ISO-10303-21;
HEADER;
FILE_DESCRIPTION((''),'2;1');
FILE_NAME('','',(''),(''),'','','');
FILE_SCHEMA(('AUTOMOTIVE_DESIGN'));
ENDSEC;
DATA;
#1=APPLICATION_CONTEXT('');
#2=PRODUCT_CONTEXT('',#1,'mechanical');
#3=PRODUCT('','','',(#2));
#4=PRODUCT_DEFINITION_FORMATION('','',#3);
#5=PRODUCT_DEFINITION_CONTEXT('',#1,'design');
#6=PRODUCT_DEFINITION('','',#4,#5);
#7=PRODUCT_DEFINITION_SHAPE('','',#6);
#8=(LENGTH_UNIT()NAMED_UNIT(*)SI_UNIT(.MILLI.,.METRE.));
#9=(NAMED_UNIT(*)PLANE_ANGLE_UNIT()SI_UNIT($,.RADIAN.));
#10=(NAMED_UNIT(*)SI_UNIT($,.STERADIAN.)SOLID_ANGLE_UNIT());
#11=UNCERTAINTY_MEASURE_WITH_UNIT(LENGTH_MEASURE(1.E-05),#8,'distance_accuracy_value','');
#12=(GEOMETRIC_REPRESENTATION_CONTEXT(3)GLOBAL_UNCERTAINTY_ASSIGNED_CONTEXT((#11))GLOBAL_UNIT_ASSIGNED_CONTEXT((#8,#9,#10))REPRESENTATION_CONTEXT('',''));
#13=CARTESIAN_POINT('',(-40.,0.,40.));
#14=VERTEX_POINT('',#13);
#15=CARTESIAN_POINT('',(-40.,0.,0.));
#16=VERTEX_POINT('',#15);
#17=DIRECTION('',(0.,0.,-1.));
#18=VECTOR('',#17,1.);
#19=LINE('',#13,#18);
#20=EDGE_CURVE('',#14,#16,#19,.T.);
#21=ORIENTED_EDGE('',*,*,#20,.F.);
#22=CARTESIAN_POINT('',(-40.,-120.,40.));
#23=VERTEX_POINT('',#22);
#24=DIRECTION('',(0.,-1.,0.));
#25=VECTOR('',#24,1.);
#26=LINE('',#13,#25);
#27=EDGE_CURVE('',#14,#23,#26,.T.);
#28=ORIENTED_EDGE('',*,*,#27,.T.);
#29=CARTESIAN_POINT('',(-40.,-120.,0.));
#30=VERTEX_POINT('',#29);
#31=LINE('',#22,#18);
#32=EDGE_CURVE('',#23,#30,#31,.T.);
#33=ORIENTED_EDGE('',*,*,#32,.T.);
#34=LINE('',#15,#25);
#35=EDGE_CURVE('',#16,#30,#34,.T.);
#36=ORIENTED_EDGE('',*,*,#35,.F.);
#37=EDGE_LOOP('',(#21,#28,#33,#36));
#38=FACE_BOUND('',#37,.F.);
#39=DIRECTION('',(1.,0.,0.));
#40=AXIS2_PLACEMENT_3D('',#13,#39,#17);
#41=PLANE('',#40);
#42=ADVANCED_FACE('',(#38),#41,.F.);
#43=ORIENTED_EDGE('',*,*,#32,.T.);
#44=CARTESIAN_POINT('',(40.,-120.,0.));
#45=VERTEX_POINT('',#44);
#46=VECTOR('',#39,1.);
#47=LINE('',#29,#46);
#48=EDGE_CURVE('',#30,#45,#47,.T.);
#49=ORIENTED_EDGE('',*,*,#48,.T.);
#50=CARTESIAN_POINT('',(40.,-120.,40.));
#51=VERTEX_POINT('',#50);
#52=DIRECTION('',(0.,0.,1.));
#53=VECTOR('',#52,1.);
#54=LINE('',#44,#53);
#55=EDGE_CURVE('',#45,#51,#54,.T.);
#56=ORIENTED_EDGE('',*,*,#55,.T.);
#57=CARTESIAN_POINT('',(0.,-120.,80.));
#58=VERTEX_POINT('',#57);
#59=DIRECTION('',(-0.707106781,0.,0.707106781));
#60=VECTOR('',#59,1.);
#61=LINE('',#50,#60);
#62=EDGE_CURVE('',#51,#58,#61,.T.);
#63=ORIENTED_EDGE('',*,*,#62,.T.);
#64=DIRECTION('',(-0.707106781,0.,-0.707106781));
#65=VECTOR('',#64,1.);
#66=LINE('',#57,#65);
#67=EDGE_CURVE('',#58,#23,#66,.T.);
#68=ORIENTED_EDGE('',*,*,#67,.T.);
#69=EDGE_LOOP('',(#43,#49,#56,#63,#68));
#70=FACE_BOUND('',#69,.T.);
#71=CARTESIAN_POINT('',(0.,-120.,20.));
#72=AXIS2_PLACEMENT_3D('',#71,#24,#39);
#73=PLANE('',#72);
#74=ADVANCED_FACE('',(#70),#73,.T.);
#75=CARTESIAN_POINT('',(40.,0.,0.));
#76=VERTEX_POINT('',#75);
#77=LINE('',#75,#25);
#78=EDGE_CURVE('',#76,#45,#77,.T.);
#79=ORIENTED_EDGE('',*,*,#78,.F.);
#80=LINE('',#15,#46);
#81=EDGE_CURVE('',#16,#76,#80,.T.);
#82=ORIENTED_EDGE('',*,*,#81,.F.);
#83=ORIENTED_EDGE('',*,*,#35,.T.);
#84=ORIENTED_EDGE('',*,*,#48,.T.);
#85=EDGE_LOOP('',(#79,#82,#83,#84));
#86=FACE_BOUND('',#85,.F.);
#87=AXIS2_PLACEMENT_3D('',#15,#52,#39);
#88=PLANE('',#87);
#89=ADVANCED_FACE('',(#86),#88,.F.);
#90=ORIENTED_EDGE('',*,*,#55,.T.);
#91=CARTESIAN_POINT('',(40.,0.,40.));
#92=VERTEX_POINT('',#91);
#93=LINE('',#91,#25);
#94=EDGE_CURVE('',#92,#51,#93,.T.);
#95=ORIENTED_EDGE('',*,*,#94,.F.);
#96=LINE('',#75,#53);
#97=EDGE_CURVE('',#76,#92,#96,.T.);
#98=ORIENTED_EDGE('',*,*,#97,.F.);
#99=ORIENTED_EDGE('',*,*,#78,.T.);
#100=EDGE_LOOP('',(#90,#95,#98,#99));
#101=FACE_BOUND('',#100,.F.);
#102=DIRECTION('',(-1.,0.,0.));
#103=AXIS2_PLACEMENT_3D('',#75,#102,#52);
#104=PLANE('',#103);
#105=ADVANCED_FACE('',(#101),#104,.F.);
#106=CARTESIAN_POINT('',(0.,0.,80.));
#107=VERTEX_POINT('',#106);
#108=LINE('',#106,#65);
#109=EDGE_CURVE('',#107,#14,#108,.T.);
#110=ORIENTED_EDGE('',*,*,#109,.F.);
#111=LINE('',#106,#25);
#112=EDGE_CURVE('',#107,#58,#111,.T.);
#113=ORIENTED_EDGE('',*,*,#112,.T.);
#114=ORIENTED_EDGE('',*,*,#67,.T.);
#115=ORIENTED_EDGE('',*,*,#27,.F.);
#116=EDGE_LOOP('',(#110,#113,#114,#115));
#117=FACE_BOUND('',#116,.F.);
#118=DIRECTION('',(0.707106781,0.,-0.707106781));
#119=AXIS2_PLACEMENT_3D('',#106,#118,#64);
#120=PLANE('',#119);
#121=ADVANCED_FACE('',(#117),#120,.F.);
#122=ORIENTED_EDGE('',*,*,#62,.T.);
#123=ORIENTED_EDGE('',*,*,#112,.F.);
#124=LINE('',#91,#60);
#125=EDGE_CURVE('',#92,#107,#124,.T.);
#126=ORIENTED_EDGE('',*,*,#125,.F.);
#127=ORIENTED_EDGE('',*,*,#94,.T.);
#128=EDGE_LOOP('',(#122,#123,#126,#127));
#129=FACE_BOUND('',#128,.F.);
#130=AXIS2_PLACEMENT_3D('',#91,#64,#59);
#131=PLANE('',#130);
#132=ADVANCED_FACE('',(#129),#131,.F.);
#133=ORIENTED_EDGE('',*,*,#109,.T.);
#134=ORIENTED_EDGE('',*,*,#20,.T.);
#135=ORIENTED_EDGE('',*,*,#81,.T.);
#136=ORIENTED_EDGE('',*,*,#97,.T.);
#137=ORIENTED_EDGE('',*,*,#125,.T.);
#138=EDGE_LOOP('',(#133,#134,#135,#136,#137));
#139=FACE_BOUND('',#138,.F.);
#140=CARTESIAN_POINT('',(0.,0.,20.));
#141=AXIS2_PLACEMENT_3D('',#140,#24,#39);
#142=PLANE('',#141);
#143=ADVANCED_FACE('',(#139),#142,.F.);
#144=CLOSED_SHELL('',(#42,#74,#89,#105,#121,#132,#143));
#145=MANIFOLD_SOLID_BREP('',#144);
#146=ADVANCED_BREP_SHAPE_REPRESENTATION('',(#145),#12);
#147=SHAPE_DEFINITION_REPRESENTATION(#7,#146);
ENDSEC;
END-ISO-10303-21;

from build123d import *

# Parameters (mm, degrees)
F1_DEPTH = 120


with BuildPart() as f1:
    # F0 (on Front) → F1 (new body)
    with BuildSketch(Plane.XZ):
        Polygon((-40, 40), (-40, 0), (0, 0), (40, 0), (40, 40), (0, 40), align=None)
        Polygon((0, 80), (-40, 40), (0, 40), align=None)
        Polygon((0, 80), (0, 40), (40, 40), align=None)
    extrude(amount=F1_DEPTH)


solid = f1.part
